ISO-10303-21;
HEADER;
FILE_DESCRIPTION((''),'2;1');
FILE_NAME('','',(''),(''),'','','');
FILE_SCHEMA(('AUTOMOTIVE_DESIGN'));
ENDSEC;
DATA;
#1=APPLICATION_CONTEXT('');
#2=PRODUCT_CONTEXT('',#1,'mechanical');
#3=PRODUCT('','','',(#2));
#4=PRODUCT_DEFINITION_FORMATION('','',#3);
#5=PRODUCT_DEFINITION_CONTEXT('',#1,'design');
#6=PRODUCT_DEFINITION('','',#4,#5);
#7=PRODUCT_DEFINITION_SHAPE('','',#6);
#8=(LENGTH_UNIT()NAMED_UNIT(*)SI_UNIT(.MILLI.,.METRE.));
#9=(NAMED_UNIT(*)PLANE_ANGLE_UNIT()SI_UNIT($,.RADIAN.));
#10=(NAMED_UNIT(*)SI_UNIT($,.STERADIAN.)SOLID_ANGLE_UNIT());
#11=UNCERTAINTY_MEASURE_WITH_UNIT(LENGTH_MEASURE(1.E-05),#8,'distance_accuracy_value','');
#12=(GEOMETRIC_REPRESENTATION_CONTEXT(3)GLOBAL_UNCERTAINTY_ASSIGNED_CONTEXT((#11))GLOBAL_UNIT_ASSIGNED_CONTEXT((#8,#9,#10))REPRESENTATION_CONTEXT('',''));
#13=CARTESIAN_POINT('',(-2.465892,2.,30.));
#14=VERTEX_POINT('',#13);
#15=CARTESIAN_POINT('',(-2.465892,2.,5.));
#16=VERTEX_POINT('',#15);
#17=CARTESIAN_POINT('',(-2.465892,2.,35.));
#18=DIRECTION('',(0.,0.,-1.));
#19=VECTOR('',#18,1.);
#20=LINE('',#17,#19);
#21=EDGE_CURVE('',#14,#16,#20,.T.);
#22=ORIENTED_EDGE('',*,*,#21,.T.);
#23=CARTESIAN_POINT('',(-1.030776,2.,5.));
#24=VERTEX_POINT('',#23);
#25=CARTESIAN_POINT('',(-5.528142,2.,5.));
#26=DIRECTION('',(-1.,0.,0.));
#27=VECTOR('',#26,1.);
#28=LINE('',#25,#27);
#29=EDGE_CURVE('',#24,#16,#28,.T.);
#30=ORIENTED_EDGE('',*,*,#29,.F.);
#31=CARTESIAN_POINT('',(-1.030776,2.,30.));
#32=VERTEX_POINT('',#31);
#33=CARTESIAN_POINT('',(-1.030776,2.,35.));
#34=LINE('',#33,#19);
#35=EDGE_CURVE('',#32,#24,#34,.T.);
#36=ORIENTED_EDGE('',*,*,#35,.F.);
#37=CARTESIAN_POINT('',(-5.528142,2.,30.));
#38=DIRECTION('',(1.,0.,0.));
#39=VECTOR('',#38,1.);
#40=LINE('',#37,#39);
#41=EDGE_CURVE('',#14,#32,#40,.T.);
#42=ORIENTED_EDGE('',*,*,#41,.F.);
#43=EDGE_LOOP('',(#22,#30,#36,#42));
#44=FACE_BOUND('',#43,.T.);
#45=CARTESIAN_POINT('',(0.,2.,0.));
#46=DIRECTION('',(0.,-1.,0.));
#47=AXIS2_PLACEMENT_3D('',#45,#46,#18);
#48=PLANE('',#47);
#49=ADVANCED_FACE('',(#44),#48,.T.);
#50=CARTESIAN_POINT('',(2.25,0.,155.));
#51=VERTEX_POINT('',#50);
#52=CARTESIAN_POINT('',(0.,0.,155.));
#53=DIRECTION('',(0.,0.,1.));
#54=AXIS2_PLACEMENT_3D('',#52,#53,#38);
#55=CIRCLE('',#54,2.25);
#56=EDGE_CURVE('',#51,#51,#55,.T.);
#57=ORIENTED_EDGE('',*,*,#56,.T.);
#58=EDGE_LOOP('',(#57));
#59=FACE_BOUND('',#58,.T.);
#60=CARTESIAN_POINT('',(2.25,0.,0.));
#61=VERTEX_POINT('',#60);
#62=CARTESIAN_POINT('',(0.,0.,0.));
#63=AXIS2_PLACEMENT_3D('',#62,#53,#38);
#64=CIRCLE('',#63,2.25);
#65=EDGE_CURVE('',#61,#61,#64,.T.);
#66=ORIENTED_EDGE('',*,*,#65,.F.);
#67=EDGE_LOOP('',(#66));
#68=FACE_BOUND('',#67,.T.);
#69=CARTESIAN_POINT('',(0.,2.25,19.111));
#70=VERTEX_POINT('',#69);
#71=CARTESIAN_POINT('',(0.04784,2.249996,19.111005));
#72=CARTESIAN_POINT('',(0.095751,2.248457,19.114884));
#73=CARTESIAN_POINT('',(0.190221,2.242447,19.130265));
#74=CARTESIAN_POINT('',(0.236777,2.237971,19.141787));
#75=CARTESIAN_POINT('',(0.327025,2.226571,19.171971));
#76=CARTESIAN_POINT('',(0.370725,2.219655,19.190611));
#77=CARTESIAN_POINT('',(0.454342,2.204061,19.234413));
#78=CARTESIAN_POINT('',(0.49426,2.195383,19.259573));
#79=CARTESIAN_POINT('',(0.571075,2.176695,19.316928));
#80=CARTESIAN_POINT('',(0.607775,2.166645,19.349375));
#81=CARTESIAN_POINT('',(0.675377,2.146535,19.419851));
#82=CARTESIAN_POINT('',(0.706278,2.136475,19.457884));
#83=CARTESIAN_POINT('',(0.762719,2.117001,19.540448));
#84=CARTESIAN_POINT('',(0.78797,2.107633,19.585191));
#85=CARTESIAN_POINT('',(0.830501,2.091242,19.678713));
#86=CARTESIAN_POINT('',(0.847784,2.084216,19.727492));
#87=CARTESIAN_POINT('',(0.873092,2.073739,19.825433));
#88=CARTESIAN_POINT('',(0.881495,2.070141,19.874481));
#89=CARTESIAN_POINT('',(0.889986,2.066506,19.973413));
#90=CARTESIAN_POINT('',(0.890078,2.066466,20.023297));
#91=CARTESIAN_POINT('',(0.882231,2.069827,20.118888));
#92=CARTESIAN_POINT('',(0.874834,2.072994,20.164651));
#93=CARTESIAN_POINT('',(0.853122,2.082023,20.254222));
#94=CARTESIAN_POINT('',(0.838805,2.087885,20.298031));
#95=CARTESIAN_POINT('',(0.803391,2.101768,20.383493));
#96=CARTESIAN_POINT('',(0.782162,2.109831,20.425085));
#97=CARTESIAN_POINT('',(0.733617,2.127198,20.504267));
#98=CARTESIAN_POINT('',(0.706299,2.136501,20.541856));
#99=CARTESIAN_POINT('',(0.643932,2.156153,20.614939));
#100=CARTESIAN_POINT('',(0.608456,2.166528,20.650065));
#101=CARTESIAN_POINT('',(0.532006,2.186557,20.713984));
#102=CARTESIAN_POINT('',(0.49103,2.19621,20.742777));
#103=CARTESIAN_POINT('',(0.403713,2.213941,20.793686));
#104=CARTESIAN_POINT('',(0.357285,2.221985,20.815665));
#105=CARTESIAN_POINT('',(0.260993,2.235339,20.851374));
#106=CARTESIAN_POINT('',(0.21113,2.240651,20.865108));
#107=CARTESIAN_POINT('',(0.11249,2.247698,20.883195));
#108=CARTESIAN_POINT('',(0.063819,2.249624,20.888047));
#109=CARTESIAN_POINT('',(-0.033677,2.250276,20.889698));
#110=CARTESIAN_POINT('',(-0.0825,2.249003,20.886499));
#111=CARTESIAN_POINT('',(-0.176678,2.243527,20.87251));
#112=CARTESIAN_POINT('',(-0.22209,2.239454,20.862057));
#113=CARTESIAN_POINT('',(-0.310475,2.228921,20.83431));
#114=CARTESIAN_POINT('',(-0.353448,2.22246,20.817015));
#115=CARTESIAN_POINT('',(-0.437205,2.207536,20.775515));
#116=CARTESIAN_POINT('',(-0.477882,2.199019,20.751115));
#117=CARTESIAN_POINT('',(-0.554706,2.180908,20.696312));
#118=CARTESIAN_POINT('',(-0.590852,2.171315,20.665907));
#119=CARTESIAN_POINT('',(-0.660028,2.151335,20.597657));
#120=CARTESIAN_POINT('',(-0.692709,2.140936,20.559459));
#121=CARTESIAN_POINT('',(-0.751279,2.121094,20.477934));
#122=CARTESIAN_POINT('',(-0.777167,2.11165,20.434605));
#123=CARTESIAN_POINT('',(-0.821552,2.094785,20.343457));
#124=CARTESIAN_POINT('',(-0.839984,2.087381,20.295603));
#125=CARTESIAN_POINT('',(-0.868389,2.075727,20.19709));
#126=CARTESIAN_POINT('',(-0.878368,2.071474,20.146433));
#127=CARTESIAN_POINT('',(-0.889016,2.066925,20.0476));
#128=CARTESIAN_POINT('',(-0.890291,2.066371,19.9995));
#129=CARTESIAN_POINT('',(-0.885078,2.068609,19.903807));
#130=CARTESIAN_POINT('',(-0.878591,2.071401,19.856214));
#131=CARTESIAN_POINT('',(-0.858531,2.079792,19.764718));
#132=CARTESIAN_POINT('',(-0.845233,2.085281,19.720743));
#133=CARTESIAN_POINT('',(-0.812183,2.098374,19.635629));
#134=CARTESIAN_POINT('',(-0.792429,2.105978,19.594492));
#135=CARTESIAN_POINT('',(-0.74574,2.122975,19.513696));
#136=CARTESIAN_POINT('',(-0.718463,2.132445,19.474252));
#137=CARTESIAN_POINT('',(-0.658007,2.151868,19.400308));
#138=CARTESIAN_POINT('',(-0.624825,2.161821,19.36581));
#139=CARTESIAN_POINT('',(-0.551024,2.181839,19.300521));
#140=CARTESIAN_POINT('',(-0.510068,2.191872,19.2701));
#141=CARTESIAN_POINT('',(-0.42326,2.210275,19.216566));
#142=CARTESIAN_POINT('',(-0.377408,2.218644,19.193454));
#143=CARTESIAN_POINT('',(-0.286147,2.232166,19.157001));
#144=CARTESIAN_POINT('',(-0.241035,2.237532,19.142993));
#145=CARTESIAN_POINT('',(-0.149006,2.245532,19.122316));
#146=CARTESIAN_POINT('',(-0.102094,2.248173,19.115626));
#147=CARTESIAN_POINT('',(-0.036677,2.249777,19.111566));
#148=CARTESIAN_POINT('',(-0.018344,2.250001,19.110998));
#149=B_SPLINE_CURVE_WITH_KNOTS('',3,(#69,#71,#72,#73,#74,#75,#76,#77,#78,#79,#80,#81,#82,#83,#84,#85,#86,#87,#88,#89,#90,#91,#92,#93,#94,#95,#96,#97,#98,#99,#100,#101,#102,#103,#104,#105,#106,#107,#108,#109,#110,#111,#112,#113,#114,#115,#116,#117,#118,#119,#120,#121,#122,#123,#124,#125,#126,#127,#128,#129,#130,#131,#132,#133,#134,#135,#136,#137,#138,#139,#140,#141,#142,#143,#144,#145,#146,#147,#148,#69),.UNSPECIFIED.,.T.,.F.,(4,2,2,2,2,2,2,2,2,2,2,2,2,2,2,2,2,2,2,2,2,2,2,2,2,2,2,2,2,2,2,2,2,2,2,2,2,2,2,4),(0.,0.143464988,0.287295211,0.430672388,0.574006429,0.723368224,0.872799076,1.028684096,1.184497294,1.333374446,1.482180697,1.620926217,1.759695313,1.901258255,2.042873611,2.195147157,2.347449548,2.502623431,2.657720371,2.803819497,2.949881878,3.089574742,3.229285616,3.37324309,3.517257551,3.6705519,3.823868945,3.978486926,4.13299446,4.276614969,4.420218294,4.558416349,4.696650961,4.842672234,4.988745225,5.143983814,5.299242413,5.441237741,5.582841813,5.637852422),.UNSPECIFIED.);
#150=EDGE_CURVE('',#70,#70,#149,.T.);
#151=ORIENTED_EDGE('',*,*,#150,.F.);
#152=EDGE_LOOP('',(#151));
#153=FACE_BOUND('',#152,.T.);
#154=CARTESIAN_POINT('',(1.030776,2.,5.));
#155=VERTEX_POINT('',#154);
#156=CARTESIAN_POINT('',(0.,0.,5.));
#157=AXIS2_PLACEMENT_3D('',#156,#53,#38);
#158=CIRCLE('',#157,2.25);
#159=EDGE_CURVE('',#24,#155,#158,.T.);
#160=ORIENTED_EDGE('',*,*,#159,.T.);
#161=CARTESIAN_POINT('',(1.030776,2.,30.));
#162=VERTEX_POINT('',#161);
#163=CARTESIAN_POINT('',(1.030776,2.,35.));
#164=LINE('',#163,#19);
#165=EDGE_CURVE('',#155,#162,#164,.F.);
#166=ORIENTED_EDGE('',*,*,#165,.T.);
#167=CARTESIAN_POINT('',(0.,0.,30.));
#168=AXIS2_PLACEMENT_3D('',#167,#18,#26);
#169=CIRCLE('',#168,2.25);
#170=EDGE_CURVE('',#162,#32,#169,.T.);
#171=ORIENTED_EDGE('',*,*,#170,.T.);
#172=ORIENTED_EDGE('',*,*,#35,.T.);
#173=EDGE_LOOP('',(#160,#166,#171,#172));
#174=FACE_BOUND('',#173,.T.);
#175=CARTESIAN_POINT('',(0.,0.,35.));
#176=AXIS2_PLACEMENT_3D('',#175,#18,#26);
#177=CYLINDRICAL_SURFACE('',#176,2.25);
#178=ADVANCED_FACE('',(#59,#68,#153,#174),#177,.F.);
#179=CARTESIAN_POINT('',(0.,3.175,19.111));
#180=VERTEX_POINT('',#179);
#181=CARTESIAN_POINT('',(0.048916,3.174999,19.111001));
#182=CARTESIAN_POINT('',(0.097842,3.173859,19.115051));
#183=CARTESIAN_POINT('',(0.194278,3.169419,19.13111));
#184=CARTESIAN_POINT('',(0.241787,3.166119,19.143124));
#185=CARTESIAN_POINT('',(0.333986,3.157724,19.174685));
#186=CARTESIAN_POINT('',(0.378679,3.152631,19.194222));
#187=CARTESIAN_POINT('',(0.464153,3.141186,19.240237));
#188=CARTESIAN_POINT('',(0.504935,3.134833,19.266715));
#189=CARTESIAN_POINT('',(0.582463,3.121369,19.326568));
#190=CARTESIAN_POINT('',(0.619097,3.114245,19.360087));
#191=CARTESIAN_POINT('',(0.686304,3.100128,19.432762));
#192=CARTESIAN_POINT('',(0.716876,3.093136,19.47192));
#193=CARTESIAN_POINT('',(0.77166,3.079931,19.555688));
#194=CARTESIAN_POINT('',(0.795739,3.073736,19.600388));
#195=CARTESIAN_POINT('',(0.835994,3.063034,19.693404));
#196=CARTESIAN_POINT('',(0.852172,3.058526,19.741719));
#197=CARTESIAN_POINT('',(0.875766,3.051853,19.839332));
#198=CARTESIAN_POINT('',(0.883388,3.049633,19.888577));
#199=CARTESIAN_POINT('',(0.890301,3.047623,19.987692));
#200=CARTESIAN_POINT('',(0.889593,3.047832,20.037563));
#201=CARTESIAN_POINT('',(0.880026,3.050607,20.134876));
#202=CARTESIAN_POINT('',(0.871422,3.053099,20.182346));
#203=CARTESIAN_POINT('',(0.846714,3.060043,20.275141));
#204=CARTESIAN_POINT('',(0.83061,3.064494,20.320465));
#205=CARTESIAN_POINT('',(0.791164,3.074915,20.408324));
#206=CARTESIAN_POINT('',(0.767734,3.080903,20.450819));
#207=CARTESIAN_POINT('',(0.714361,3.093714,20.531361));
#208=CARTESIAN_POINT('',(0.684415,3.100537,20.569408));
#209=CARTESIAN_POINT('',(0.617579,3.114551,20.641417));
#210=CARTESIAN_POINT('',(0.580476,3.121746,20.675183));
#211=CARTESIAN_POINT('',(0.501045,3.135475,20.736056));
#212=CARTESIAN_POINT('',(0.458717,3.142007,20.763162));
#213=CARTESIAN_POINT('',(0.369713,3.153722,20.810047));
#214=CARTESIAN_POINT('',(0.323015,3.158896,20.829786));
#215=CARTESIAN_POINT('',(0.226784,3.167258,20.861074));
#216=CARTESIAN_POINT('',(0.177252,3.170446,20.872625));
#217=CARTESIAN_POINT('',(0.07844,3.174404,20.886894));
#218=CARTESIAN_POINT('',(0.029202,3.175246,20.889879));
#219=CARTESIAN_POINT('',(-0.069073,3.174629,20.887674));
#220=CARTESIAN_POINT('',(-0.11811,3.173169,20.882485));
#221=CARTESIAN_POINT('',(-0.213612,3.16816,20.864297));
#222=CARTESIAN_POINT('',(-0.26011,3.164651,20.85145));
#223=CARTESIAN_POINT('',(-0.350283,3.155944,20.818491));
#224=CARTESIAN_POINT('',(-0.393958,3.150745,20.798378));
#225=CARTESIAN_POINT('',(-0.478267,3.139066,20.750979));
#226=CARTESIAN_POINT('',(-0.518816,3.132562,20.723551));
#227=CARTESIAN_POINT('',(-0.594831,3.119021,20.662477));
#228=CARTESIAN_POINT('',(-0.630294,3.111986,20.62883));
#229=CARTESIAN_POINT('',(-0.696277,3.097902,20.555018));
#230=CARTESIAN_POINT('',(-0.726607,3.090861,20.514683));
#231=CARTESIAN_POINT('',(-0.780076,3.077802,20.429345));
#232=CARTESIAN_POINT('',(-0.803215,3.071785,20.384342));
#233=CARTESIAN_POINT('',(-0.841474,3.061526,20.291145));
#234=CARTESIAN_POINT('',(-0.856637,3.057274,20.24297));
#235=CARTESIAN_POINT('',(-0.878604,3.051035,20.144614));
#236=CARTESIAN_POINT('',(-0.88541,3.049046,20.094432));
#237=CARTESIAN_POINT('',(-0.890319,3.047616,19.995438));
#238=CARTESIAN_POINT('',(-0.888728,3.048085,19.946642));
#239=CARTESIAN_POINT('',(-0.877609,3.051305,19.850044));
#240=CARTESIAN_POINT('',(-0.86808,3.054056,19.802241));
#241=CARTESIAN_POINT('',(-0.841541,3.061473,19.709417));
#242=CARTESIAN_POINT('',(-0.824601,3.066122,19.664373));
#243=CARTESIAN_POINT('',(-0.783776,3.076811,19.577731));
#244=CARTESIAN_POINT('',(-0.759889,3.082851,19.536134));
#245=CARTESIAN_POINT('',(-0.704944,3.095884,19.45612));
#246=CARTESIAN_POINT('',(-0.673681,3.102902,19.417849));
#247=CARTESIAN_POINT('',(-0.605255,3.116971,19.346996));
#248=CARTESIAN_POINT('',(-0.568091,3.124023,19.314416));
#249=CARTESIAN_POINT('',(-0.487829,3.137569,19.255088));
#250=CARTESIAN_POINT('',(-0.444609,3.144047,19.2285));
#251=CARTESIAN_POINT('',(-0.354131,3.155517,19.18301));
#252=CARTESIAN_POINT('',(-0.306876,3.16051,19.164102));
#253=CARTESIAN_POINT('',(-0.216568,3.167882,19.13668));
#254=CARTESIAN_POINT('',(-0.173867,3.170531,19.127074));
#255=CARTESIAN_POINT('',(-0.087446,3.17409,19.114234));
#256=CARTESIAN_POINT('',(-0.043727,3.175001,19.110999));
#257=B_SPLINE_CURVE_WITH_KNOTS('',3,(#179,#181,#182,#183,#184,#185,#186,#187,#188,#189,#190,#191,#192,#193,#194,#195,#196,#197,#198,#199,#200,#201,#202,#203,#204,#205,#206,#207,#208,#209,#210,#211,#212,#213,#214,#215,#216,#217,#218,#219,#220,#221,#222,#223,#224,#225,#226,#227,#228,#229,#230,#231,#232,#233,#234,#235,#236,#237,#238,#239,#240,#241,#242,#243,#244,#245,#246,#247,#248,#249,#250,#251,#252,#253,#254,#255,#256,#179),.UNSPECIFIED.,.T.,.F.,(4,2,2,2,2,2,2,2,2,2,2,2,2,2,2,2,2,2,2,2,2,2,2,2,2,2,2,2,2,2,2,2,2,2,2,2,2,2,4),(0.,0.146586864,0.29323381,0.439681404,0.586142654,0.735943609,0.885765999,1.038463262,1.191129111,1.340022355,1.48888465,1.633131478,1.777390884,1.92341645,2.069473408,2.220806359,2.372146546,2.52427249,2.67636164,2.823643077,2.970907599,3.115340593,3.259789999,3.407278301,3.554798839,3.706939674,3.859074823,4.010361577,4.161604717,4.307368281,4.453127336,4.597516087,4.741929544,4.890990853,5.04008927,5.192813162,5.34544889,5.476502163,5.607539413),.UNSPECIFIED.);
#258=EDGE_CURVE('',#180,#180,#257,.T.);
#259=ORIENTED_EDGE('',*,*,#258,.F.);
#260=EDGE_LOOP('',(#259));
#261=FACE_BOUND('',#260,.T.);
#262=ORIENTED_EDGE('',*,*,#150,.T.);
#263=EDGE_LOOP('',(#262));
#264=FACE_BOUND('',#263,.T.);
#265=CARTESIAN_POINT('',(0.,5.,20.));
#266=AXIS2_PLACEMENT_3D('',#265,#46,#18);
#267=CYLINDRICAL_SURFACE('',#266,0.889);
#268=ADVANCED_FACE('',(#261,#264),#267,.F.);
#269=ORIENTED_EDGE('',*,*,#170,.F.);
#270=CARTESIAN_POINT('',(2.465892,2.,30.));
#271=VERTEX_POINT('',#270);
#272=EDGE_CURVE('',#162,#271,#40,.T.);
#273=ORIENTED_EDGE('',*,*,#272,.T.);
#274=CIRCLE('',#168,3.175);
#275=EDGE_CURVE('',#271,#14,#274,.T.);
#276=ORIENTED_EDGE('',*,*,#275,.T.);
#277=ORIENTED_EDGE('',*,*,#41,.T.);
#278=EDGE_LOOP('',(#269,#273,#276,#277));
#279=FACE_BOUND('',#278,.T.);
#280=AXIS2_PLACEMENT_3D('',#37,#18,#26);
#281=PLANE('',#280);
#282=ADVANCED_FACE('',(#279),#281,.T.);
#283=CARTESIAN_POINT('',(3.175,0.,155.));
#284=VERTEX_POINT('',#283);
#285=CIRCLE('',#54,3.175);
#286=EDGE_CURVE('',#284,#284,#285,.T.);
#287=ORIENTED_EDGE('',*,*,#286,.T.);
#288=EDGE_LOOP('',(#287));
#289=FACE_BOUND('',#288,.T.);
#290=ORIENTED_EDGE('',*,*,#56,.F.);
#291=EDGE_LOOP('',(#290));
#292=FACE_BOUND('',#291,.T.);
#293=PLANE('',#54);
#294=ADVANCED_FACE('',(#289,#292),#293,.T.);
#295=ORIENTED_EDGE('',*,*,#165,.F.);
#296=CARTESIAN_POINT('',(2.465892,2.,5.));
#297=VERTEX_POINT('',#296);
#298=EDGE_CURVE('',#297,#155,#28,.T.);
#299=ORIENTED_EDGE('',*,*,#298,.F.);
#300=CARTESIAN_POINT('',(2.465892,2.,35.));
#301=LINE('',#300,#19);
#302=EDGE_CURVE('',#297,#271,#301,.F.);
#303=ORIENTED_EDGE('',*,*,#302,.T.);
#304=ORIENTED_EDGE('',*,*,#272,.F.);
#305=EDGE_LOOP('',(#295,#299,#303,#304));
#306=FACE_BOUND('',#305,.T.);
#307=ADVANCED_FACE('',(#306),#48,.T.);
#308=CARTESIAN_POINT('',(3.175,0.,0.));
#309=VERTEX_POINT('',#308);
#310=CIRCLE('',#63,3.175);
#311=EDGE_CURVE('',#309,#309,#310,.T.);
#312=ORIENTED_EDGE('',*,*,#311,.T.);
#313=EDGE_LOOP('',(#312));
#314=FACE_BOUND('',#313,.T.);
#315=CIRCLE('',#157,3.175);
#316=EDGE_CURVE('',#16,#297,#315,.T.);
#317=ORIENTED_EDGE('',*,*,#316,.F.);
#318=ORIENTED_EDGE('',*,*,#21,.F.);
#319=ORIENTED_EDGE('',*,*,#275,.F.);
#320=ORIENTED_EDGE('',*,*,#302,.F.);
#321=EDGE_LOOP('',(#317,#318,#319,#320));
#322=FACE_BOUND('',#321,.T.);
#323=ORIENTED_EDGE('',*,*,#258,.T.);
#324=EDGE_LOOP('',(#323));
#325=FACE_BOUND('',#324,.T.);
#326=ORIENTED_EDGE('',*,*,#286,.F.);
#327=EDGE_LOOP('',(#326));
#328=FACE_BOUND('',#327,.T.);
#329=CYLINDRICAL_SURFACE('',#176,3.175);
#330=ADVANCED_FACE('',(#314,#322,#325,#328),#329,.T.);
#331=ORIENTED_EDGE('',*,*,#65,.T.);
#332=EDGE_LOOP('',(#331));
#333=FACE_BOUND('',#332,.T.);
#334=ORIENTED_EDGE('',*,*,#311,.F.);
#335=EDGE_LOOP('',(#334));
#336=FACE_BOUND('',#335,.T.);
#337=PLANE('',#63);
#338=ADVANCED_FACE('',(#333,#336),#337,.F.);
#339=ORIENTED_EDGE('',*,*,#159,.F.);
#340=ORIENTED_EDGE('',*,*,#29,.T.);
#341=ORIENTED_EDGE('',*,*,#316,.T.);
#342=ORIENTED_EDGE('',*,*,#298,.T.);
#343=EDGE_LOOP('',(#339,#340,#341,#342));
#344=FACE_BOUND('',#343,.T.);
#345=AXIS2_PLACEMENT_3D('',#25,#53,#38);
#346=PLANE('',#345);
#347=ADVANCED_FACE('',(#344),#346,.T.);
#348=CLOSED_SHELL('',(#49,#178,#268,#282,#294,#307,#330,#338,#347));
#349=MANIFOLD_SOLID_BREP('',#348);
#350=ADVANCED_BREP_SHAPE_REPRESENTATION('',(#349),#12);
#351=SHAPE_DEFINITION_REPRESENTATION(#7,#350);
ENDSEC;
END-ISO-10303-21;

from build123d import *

# Parameters (mm, degrees)
SKETCH1_R               = 3.175
SKETCH1_R_2             = 2.25
BOSS_EXTRUDE1_DEPTH     = 35
SKETCH2_W               = 13.029993618
SKETCH2_H               = 25
CUT_EXTRUDE1_DEPTH      = 2
CUT_EXTRUDE1_DEPTH_BACK = 5
SKETCH3_R               = 0.889
F_2_56_HOLE_DEPTH       = 3
SKETCH4_R               = 3.175
SKETCH4_R_2             = 2.25
BOSS_EXTRUDE2_DEPTH     = 120


with BuildPart() as part:
    # Sketch1 → Boss-Extrude1 (new body)
    with BuildSketch(Plane.XY):
        Circle(SKETCH1_R)
        Circle(SKETCH1_R_2, mode=Mode.SUBTRACT)
    extrude(amount=BOSS_EXTRUDE1_DEPTH)

    # Sketch2 → Cut-Extrude1 (cut, two sides)
    with BuildSketch(Plane(origin=(0, 0, 0), x_dir=(1, 0, 0), z_dir=(0, 1, 0))) as cut_extrude1_sk:
        with Locations((0.986854582, -17.5)):
            Rectangle(SKETCH2_W, SKETCH2_H)
    extrude(amount=CUT_EXTRUDE1_DEPTH, mode=Mode.SUBTRACT)
    extrude(cut_extrude1_sk.sketch, amount=-CUT_EXTRUDE1_DEPTH_BACK, mode=Mode.SUBTRACT)

    # Sketch3 → 2-56 hole (cut)
    with BuildSketch(Plane(origin=(0, 2, 0), x_dir=(-1, 0, 0), z_dir=(0, -1, 0))):
        with Locations((0, -20)):
            Circle(SKETCH3_R)
    extrude(amount=-F_2_56_HOLE_DEPTH, mode=Mode.SUBTRACT)

    # Sketch4 → Boss-Extrude2 (add)
    with BuildSketch(Plane.XY.offset(35)):
        Circle(SKETCH4_R)
        Circle(SKETCH4_R_2, mode=Mode.SUBTRACT)
    extrude(amount=BOSS_EXTRUDE2_DEPTH)


solid = part.part
